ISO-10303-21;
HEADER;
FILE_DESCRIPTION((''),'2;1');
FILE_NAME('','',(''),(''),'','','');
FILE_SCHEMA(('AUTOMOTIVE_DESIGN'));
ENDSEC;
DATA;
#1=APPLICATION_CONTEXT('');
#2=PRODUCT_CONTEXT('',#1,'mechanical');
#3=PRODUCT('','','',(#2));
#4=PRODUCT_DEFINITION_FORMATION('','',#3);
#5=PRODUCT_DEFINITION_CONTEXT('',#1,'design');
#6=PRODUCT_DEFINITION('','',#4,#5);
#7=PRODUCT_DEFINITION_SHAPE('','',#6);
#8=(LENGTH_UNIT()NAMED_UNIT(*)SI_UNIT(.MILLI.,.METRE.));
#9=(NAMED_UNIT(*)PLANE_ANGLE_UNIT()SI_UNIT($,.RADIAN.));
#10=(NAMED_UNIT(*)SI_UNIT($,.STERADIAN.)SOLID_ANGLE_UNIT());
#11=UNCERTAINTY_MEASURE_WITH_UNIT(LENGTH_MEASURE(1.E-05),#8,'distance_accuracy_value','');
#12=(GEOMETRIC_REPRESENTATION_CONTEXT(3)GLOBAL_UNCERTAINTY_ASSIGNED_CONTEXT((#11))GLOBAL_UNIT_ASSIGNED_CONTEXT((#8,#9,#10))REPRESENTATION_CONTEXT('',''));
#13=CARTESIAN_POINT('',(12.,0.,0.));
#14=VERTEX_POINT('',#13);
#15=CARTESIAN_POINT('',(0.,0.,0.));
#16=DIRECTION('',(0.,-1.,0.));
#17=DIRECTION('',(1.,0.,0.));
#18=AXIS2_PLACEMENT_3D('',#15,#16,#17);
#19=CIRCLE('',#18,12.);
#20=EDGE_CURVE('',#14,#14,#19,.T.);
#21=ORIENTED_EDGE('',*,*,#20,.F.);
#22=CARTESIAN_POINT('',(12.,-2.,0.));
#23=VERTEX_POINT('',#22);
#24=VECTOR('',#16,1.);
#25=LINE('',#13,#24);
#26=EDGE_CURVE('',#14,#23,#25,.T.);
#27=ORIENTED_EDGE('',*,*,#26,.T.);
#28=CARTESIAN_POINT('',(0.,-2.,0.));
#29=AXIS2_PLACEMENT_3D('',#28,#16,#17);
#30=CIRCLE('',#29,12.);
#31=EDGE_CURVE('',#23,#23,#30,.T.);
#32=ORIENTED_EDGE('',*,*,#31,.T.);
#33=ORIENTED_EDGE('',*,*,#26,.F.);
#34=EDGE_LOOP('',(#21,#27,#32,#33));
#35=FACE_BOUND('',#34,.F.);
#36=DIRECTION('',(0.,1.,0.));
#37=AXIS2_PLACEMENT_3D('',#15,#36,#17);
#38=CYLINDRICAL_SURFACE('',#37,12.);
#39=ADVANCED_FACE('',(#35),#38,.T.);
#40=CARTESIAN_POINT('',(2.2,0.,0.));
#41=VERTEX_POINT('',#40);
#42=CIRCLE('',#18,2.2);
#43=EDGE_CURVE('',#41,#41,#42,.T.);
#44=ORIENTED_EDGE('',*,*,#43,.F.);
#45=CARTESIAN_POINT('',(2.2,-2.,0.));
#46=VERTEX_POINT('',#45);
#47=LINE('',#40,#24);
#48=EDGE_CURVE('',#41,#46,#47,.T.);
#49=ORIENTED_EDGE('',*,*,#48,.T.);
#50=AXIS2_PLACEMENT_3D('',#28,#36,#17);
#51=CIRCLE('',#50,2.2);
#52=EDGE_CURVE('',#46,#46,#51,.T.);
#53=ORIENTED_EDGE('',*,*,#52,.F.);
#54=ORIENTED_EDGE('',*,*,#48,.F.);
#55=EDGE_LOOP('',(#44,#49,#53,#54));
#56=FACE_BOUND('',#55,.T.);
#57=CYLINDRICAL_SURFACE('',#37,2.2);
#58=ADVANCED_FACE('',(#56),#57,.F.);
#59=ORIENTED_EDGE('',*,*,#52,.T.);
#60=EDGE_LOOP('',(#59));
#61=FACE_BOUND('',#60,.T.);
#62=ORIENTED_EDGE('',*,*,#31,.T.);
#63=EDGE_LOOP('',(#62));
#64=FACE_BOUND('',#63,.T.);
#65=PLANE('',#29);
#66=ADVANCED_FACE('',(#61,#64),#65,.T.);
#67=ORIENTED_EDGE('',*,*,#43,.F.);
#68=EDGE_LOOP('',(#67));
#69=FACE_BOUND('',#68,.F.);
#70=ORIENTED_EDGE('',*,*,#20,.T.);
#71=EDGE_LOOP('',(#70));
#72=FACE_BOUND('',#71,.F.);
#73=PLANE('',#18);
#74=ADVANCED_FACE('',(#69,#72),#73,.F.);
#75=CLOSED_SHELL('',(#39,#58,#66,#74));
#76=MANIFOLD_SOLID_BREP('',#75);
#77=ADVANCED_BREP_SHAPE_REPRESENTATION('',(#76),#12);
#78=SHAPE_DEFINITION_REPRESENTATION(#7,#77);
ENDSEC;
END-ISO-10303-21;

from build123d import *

# Parameters (mm, degrees)
CYLINDER011007_R     = 2.2
CYLINDER011007_DEPTH = 20
CYLINDER011008_R     = 12
CYLINDER011008_DEPTH = 2


with BuildPart() as belt_attach_insert_hole:
    # Cylinder011007 → Cylinder011007 (new body)
    with BuildSketch(Plane.XZ):
        Circle(CYLINDER011007_R)
    extrude(amount=CYLINDER011007_DEPTH)


with BuildPart() as belt_addach_washer_cut:
    # Cylinder011008 → Cylinder011008 (new body)
    with BuildSketch(Plane.XZ):
        Circle(CYLINDER011008_R)
    extrude(amount=CYLINDER011008_DEPTH)

    # Cut023015009008: cut belt attach insert hole
    add(belt_attach_insert_hole.part, mode=Mode.SUBTRACT)


solid = belt_addach_washer_cut.part
